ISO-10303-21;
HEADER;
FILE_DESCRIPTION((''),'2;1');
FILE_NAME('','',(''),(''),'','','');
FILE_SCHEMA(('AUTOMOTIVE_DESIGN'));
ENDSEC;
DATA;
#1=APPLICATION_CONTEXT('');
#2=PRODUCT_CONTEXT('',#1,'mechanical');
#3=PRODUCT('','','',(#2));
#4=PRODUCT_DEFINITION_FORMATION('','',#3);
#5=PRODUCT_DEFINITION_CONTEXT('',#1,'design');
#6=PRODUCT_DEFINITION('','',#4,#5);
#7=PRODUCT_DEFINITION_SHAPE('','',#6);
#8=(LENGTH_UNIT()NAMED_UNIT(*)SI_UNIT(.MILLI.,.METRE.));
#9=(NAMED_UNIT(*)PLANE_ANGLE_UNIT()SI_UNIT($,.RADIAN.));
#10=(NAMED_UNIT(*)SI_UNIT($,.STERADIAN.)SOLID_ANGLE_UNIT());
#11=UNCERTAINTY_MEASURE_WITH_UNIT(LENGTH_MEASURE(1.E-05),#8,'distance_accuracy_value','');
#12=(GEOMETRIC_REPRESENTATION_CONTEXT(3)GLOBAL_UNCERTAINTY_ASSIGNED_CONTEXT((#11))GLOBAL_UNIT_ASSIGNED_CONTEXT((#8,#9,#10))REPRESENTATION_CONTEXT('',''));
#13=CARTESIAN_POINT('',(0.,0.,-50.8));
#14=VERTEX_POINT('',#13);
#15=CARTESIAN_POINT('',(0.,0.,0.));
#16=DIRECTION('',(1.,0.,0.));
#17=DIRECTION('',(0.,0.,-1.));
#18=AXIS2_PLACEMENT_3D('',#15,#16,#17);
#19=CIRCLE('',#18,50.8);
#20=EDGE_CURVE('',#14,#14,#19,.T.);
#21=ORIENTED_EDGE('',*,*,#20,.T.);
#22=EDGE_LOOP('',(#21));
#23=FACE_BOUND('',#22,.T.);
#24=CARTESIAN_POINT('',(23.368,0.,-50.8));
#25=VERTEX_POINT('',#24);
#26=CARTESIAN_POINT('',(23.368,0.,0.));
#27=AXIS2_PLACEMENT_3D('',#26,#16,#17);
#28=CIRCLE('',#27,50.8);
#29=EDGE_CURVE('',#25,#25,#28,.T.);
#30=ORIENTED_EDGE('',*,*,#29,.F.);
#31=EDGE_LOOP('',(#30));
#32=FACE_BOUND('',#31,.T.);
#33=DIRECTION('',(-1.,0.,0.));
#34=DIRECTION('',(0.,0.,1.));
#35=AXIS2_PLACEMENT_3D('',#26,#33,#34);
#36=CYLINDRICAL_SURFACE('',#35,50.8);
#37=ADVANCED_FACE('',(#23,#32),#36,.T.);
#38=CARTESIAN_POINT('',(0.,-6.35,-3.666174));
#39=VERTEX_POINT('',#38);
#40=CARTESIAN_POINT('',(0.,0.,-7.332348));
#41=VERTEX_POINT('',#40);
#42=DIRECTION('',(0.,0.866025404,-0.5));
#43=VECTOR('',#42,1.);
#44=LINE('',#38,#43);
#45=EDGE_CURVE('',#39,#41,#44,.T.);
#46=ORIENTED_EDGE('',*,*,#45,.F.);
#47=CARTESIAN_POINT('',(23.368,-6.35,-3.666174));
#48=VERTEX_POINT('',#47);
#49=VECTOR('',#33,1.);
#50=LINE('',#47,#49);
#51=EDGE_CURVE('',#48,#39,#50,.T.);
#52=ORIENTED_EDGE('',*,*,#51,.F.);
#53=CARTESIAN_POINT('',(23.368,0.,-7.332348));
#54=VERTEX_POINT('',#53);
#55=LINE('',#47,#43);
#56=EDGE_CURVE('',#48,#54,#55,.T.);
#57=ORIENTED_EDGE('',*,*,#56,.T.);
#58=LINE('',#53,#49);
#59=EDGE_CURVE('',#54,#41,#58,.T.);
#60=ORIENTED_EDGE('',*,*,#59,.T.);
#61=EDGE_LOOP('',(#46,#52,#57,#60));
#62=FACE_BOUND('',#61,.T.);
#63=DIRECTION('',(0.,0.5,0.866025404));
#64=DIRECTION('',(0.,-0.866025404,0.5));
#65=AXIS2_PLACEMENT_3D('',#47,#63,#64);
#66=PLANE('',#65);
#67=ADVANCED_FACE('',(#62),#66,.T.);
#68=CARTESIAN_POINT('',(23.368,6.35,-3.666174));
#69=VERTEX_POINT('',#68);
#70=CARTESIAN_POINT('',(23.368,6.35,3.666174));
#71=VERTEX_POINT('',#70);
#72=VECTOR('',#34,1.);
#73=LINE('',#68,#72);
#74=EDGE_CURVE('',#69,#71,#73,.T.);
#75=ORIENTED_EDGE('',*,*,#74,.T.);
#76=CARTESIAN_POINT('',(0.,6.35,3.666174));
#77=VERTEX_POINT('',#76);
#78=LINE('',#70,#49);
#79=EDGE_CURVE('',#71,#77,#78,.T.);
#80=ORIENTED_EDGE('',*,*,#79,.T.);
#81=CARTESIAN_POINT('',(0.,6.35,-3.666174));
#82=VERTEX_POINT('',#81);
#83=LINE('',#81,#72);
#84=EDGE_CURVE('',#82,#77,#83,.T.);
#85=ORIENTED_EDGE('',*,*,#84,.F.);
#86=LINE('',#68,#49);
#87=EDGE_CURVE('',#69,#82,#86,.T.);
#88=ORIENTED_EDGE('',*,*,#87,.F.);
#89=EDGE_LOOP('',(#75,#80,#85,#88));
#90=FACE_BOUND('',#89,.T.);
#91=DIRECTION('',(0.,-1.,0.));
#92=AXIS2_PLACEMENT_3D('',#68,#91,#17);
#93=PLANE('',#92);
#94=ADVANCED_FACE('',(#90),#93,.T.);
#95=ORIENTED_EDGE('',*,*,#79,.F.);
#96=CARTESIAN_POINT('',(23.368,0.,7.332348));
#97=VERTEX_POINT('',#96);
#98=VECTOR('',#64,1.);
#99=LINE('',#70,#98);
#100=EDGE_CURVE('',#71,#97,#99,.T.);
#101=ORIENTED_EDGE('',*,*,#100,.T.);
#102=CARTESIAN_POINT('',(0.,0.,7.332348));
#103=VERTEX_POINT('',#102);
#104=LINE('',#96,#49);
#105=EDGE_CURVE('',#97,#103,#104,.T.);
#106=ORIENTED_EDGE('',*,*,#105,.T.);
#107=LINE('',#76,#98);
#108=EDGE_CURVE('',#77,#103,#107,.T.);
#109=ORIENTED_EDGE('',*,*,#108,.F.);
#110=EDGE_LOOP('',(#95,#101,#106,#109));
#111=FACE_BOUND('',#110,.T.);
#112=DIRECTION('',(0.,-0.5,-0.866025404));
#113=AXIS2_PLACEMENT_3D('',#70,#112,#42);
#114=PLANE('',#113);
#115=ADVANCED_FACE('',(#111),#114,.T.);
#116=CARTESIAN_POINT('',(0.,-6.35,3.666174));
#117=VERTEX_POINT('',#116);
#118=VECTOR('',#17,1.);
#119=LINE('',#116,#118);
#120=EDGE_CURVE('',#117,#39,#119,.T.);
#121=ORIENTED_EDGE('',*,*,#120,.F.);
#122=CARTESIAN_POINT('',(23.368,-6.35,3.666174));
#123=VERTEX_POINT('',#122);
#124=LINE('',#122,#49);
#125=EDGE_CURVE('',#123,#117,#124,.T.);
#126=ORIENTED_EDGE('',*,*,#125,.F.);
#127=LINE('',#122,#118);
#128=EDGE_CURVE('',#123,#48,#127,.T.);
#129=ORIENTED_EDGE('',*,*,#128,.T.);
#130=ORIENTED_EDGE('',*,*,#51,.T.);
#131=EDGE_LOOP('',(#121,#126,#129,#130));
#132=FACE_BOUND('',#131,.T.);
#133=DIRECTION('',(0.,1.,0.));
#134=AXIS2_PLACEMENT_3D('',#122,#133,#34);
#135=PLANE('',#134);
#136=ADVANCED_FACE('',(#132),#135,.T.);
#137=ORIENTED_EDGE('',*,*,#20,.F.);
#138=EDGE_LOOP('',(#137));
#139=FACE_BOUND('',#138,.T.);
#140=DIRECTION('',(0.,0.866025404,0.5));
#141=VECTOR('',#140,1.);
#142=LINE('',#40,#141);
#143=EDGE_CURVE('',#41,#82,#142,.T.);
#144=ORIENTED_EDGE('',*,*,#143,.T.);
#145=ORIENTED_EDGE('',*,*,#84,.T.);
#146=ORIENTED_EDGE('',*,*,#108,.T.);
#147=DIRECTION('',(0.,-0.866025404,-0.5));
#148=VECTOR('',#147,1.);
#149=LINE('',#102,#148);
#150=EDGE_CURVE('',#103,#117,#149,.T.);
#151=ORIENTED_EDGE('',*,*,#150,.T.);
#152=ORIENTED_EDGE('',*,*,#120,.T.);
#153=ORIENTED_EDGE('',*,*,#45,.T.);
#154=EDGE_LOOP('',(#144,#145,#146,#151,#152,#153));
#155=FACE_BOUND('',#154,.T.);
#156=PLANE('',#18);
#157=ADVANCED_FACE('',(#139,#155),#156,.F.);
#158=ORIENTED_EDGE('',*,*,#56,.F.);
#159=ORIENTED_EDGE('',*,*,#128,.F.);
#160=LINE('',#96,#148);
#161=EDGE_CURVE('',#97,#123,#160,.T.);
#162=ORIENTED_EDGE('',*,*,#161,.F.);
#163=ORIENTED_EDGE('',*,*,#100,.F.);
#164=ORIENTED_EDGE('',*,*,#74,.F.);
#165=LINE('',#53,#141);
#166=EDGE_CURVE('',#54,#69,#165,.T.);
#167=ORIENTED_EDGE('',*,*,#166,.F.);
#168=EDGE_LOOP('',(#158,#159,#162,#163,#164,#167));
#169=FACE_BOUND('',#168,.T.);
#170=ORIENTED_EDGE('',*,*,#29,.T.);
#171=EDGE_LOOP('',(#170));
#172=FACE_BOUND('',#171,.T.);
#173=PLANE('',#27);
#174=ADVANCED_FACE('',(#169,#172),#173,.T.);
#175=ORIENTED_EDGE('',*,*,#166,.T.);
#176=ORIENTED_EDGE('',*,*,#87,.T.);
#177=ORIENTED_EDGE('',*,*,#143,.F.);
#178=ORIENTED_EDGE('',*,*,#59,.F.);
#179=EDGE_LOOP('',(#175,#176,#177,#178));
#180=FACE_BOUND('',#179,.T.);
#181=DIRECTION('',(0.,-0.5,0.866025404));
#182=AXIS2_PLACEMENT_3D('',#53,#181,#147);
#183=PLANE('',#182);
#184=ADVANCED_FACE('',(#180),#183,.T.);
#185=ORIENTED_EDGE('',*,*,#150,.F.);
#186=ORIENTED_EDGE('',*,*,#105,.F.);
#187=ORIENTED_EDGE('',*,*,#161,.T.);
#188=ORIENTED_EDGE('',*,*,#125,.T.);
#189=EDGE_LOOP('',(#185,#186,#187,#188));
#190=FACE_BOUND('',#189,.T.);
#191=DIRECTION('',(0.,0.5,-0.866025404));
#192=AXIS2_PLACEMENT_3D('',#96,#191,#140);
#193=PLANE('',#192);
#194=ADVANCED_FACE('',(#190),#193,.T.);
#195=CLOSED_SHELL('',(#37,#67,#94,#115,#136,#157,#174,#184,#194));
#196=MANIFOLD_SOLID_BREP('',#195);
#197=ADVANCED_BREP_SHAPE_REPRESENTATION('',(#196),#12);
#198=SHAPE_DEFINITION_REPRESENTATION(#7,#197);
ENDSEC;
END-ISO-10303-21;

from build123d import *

# Parameters (mm, degrees)
SKETCH2_R           = 50.8
BOSS_EXTRUDE1_DEPTH = 23.368


with BuildPart() as part:
    # Sketch2 → Boss-Extrude1 (new body)
    with BuildSketch(Plane(origin=(0, 0, 0), x_dir=(0, 0, -1), z_dir=(1, 0, 0))):
        Circle(SKETCH2_R)
        Polygon((3.666174209, 6.35), (-3.666174209, 6.35), (-7.332348419, 0), (-3.666174209, -6.35), (3.666174209, -6.35), (7.332348419, 0), align=None, mode=Mode.SUBTRACT)
    extrude(amount=BOSS_EXTRUDE1_DEPTH)


solid = part.part
